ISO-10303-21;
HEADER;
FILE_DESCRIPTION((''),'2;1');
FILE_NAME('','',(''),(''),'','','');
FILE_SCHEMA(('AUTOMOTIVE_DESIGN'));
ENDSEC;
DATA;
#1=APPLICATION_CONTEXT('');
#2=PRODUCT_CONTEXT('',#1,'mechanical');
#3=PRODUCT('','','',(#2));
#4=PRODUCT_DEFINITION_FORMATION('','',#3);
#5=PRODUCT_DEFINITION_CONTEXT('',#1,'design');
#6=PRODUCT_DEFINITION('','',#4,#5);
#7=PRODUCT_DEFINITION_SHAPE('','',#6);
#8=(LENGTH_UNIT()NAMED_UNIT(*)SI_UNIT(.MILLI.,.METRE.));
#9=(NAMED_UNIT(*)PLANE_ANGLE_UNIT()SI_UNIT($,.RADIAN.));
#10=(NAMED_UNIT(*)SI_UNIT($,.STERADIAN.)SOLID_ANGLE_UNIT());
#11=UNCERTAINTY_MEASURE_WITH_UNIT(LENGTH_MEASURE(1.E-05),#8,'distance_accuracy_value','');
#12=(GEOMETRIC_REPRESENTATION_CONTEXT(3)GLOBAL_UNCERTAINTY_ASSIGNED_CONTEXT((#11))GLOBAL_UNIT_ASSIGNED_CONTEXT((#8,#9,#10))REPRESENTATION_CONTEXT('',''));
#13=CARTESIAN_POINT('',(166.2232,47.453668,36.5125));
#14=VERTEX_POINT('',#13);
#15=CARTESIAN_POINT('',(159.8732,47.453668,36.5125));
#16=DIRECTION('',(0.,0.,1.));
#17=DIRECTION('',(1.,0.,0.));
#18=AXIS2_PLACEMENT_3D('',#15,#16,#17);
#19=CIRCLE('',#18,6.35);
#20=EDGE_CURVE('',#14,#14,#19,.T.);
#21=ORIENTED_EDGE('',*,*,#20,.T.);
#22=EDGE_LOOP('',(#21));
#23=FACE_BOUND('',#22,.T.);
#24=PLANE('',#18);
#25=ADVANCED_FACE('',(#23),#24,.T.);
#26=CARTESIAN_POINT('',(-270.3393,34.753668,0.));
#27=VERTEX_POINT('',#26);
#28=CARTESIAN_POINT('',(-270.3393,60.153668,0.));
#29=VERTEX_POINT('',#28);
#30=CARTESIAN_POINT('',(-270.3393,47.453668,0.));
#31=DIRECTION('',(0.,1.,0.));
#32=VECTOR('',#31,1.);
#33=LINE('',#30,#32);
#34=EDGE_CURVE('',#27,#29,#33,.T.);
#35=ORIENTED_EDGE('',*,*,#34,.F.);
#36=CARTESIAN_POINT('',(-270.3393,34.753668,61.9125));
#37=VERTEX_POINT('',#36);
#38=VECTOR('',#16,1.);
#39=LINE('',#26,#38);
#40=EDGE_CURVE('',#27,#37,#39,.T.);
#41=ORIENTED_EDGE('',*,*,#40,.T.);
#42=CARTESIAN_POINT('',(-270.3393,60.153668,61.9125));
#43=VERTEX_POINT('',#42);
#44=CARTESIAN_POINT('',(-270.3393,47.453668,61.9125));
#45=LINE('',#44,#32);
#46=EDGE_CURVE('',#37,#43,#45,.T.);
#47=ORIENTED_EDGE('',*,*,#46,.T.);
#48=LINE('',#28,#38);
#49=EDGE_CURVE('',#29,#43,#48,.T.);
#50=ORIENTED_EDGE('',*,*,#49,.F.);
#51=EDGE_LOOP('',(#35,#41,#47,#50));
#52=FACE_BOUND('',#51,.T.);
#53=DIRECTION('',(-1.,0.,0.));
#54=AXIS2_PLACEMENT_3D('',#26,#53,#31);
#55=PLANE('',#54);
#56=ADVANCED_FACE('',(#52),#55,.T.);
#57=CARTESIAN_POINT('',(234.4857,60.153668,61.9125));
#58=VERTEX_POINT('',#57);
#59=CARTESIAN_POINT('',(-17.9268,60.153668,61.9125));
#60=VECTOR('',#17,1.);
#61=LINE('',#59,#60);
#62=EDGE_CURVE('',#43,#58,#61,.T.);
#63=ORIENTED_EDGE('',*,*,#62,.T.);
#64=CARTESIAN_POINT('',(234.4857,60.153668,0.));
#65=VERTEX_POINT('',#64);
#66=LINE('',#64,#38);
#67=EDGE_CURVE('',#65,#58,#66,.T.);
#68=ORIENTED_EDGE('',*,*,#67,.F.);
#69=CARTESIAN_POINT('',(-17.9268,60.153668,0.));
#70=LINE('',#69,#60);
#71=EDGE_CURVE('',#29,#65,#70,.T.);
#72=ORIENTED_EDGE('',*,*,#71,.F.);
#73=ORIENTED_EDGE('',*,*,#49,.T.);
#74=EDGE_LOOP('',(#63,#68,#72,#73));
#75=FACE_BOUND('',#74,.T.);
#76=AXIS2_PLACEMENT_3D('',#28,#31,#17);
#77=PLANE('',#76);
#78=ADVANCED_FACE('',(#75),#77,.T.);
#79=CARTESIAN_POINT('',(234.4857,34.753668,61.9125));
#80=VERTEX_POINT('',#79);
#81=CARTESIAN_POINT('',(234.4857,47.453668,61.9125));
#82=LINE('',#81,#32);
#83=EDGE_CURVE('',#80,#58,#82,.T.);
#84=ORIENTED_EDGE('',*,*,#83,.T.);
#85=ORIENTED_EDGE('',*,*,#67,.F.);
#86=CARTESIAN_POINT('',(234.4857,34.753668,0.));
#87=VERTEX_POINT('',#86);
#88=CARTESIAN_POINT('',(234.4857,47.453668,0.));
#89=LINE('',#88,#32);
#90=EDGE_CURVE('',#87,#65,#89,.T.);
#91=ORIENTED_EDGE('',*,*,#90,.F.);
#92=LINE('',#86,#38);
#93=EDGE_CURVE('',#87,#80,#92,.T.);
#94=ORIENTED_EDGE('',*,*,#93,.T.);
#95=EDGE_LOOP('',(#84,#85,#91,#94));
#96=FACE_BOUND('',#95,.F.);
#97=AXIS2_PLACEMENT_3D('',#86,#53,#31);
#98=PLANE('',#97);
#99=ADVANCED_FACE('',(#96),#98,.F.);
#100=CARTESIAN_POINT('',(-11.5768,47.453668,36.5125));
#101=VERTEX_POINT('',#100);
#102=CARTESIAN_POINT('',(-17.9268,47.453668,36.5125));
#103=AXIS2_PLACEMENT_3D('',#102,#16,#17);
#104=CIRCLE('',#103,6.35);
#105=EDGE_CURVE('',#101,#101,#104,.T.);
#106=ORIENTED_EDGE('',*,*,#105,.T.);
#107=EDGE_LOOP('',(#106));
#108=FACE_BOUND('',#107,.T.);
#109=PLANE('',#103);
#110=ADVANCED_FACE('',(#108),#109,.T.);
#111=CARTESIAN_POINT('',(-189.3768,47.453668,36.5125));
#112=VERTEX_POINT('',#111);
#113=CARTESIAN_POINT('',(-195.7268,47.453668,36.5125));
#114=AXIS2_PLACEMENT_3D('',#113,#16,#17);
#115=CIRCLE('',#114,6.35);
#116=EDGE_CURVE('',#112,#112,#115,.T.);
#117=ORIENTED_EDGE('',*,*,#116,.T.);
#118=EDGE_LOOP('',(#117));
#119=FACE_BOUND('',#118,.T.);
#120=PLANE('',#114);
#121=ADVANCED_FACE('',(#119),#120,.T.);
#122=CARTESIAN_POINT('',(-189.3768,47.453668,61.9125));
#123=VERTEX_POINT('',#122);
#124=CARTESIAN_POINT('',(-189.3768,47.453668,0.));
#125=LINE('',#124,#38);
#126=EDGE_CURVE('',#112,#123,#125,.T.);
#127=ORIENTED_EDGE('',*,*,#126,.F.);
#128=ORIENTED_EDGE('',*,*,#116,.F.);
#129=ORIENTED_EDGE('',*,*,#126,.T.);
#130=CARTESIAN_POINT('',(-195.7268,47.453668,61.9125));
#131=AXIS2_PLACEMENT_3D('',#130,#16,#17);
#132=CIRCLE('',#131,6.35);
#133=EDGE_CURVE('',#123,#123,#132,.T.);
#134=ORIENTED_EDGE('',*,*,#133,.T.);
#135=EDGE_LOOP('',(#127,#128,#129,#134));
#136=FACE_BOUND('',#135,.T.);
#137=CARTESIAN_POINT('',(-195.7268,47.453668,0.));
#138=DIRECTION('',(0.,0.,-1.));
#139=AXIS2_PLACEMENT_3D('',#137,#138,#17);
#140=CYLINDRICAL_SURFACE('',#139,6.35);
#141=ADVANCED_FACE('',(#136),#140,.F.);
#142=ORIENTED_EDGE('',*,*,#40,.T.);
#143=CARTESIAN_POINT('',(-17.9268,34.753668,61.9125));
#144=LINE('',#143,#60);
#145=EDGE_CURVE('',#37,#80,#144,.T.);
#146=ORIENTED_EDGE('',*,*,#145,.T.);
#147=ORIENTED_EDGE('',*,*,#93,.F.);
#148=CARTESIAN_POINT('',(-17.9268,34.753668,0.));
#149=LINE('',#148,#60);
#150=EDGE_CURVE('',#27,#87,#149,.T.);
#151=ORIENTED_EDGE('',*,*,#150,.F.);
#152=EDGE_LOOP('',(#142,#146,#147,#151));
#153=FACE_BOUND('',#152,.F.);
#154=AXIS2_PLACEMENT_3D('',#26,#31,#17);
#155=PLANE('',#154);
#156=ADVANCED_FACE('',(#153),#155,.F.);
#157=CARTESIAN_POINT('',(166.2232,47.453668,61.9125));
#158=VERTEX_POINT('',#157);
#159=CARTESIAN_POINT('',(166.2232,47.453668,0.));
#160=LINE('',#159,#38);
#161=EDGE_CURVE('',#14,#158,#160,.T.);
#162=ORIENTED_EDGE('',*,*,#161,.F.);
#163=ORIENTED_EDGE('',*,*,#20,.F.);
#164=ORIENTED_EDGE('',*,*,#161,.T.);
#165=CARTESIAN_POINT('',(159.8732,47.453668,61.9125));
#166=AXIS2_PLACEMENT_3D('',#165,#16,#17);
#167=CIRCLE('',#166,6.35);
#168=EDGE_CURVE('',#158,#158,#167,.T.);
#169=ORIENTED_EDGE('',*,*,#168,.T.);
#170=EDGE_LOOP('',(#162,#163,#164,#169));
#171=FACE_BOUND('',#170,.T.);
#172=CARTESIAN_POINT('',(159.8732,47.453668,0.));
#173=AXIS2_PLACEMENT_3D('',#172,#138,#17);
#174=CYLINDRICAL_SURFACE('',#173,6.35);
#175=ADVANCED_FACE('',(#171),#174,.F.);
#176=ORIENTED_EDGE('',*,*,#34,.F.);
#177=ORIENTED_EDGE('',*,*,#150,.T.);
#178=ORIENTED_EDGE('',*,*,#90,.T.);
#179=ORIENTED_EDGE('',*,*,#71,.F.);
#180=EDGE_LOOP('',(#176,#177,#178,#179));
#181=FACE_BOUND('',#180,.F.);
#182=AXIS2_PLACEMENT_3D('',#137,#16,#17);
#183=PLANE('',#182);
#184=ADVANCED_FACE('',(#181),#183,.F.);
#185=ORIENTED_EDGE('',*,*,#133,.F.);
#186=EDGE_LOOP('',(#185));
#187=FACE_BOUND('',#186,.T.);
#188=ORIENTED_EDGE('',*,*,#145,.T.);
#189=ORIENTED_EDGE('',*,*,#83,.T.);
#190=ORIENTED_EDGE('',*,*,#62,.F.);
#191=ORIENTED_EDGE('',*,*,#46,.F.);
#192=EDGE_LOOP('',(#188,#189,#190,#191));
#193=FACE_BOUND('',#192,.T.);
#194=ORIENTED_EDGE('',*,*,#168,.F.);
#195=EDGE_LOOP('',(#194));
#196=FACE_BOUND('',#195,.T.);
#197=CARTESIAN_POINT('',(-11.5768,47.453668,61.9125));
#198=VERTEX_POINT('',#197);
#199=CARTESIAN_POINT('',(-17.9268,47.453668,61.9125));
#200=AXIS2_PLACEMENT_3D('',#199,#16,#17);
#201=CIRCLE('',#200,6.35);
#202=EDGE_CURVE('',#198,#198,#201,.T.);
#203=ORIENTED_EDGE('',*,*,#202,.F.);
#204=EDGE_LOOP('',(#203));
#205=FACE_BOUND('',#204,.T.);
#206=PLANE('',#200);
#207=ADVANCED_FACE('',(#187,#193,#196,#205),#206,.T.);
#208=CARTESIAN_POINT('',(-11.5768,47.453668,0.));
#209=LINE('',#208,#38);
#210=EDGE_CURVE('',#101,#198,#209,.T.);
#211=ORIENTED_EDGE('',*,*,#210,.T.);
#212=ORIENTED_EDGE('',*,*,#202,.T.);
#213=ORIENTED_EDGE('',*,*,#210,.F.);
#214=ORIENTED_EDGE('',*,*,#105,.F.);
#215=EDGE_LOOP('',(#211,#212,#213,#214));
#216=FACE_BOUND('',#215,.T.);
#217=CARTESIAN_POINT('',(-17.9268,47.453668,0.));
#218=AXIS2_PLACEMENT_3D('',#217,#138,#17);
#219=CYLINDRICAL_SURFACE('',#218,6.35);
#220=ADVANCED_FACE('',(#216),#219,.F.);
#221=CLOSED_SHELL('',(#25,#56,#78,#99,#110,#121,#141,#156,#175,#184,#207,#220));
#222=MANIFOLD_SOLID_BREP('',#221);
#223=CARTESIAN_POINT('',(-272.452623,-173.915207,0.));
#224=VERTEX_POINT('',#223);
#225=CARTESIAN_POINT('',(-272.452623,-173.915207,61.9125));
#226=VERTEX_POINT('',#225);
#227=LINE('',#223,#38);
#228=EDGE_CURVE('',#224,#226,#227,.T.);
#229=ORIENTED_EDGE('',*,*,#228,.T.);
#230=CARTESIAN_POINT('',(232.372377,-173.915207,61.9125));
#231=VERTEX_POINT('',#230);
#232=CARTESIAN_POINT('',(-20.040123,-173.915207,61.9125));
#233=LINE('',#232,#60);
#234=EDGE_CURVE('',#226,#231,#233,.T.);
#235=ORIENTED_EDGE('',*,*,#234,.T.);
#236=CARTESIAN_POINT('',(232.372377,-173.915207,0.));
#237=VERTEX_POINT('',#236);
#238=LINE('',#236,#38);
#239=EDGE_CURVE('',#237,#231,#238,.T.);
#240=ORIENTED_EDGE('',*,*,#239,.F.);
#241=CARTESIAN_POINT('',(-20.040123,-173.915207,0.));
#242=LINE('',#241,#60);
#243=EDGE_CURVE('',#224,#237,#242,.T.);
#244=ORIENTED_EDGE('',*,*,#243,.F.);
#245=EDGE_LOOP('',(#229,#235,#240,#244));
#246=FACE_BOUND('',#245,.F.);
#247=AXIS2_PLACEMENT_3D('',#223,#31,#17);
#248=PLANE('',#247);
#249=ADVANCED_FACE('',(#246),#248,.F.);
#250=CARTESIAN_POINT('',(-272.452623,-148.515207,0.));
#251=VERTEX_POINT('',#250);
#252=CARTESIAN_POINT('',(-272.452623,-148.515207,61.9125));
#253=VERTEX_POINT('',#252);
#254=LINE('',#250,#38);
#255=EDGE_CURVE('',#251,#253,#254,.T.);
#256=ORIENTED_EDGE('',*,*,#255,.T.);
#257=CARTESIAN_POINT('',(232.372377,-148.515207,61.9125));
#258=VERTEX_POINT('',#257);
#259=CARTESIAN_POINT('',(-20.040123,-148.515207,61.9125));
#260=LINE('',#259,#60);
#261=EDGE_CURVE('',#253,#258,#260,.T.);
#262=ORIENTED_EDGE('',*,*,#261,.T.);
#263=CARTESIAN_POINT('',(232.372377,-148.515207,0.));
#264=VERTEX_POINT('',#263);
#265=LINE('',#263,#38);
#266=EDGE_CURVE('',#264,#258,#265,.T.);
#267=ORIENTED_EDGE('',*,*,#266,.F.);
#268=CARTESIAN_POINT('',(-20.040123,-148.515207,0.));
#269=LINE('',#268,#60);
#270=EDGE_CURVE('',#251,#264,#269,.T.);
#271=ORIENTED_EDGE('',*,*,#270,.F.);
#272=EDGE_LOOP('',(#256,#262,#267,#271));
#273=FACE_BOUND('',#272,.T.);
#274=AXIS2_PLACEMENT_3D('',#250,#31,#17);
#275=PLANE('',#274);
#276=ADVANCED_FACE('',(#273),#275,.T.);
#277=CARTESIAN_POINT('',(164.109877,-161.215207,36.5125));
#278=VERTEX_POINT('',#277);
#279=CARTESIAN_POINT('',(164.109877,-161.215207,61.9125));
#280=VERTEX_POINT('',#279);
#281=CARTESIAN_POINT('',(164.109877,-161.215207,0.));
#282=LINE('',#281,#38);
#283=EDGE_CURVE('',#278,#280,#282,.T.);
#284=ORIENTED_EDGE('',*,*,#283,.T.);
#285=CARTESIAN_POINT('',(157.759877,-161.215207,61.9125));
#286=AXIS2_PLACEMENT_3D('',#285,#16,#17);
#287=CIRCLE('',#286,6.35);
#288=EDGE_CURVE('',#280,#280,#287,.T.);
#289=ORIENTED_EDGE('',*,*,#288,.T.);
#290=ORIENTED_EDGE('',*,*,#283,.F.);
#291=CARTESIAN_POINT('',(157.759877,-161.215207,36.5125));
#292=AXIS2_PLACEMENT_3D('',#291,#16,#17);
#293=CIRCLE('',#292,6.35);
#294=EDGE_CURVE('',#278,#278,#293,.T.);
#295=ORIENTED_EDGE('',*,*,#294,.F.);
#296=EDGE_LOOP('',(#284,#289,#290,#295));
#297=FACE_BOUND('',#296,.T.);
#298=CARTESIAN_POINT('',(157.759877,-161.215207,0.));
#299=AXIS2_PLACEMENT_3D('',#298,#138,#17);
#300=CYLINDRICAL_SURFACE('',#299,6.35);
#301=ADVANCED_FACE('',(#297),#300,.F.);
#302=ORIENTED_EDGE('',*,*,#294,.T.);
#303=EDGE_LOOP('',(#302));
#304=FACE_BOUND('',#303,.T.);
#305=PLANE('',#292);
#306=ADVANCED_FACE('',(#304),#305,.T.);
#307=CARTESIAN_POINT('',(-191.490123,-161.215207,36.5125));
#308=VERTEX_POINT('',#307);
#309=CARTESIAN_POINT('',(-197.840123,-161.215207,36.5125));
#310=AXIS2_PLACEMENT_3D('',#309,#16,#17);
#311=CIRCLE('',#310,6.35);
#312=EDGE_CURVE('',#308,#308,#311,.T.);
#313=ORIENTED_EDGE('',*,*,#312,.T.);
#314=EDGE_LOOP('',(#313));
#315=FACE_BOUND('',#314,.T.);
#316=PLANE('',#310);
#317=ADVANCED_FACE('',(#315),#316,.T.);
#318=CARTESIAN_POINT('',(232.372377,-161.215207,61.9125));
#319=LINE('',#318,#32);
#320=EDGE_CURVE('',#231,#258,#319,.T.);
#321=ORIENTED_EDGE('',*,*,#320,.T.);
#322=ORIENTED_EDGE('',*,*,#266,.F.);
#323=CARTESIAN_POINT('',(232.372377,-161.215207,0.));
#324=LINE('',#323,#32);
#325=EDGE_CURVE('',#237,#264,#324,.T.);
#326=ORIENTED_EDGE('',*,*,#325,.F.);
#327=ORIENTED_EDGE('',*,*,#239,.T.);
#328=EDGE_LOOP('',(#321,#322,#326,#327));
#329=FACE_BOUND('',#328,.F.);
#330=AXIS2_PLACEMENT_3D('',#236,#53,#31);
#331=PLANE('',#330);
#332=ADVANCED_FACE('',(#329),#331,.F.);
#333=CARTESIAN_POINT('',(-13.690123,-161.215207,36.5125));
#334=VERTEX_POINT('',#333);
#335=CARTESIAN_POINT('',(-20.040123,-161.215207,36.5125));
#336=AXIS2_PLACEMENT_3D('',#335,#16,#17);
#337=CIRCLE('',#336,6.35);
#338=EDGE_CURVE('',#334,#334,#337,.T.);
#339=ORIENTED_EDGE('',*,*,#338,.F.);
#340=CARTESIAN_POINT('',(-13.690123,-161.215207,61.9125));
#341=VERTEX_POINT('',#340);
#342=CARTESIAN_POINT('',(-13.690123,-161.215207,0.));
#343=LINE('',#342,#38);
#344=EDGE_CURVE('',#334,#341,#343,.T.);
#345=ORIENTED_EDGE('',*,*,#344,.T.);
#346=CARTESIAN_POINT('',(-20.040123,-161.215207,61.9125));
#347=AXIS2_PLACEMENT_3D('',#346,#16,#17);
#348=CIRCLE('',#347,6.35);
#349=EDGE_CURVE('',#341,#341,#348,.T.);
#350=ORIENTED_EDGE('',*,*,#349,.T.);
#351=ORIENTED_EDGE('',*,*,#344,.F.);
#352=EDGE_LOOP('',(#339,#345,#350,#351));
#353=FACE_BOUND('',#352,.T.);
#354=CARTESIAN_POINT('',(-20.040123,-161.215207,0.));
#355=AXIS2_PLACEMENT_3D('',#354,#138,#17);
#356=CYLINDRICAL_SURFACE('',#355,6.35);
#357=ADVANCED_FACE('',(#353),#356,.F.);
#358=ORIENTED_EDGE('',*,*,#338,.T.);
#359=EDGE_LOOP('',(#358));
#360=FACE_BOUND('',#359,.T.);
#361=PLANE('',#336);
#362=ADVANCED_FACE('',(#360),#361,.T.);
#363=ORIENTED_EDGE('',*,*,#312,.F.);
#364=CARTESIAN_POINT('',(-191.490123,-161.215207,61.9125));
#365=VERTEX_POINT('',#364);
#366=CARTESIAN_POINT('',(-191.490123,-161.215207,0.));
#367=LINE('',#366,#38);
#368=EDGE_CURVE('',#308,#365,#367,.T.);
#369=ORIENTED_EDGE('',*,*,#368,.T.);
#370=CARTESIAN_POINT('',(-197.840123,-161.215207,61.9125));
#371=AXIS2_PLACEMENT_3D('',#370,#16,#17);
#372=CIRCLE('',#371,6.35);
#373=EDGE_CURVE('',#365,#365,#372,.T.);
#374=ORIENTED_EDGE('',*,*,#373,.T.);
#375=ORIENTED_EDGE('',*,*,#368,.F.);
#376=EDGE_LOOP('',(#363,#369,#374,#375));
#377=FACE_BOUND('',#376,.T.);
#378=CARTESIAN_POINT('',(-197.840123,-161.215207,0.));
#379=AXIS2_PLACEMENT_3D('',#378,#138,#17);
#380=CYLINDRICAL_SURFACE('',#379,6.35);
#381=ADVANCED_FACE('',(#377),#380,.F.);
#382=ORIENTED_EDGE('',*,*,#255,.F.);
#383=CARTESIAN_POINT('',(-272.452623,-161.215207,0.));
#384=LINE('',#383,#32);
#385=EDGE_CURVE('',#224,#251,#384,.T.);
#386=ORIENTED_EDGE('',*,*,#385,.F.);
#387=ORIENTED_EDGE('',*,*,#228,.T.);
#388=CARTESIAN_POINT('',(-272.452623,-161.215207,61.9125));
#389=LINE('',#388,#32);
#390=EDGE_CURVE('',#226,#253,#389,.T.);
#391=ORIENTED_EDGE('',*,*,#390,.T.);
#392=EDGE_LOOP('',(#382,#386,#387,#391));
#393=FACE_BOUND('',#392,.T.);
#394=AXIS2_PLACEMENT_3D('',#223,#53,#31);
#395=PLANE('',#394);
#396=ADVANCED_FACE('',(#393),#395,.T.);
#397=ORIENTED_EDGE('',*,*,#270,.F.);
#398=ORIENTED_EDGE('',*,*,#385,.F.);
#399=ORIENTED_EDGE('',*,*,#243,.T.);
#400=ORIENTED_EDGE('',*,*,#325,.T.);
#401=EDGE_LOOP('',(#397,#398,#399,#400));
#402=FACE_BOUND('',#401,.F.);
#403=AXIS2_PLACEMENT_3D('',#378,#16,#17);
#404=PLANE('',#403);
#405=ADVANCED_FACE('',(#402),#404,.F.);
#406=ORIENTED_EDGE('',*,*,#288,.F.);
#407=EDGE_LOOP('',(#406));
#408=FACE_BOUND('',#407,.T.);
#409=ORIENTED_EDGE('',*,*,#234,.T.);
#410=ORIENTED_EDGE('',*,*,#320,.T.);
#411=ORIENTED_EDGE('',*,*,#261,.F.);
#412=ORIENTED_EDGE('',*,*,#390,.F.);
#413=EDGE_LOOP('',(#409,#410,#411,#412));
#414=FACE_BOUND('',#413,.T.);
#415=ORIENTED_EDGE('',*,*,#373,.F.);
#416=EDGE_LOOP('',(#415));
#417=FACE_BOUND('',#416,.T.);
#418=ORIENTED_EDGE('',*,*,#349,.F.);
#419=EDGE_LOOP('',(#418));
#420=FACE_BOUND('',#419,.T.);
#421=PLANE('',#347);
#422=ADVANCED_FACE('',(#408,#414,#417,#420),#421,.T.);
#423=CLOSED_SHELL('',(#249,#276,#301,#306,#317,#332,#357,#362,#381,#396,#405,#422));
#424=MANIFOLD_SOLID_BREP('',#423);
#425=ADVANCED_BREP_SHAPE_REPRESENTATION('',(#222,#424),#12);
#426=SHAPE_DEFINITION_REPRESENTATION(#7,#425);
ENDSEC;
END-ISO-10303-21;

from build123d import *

# Parameters (mm, degrees)
F0_W     = 504.825
F0_H     = 25.4
F0_R     = 6.35
F1_DEPTH = 61.9125
F2_DEPTH = 36.5125


with BuildPart() as f1:
    # F0 (on Top) → F1 (new body)
    with BuildSketch(Plane.XY):
        with Locations((-17.9268002128, 47.4536679604)):
            Rectangle(F0_W, F0_H)
        with Locations((-195.7268002128, 47.4536679604)):
            Circle(F0_R, mode=Mode.SUBTRACT)
        with Locations((-17.9268002128, 47.4536679604)):
            Circle(F0_R, mode=Mode.SUBTRACT)
        with Locations((159.8731997872, 47.4536679604)):
            Circle(F0_R, mode=Mode.SUBTRACT)
    extrude(amount=F1_DEPTH)

    # F0 (on Top) → F2 (join)
    with BuildSketch(Plane.XY):
        with Locations((-195.7268002128, 47.4536679604)):
            Circle(F0_R)
        with Locations((-17.9268002128, 47.4536679604)):
            Circle(F0_R)
        with Locations((159.8731997872, 47.4536679604)):
            Circle(F0_R)
    extrude(amount=F2_DEPTH)


with BuildPart() as f1b:
    # F0 (on Top) → F1, piece 2 (new body)
    with BuildSketch(Plane.XY):
        with Locations((-20.0401226521, -161.215207386)):
            Rectangle(F0_W, F0_H)
        with Locations((-197.8401226521, -161.215207386)):
            Circle(F0_R, mode=Mode.SUBTRACT)
        with Locations((-20.0401226521, -161.215207386)):
            Circle(F0_R, mode=Mode.SUBTRACT)
        with Locations((157.7598773479, -161.215207386)):
            Circle(F0_R, mode=Mode.SUBTRACT)
    extrude(amount=F1_DEPTH)

    # F0 (on Top) → F2, piece 2 (join)
    with BuildSketch(Plane.XY):
        with Locations((-197.8401226521, -161.215207386)):
            Circle(F0_R)
        with Locations((-20.0401226521, -161.215207386)):
            Circle(F0_R)
        with Locations((157.7598773479, -161.215207386)):
            Circle(F0_R)
    extrude(amount=F2_DEPTH)


solid = Compound([f1.part, f1b.part])
